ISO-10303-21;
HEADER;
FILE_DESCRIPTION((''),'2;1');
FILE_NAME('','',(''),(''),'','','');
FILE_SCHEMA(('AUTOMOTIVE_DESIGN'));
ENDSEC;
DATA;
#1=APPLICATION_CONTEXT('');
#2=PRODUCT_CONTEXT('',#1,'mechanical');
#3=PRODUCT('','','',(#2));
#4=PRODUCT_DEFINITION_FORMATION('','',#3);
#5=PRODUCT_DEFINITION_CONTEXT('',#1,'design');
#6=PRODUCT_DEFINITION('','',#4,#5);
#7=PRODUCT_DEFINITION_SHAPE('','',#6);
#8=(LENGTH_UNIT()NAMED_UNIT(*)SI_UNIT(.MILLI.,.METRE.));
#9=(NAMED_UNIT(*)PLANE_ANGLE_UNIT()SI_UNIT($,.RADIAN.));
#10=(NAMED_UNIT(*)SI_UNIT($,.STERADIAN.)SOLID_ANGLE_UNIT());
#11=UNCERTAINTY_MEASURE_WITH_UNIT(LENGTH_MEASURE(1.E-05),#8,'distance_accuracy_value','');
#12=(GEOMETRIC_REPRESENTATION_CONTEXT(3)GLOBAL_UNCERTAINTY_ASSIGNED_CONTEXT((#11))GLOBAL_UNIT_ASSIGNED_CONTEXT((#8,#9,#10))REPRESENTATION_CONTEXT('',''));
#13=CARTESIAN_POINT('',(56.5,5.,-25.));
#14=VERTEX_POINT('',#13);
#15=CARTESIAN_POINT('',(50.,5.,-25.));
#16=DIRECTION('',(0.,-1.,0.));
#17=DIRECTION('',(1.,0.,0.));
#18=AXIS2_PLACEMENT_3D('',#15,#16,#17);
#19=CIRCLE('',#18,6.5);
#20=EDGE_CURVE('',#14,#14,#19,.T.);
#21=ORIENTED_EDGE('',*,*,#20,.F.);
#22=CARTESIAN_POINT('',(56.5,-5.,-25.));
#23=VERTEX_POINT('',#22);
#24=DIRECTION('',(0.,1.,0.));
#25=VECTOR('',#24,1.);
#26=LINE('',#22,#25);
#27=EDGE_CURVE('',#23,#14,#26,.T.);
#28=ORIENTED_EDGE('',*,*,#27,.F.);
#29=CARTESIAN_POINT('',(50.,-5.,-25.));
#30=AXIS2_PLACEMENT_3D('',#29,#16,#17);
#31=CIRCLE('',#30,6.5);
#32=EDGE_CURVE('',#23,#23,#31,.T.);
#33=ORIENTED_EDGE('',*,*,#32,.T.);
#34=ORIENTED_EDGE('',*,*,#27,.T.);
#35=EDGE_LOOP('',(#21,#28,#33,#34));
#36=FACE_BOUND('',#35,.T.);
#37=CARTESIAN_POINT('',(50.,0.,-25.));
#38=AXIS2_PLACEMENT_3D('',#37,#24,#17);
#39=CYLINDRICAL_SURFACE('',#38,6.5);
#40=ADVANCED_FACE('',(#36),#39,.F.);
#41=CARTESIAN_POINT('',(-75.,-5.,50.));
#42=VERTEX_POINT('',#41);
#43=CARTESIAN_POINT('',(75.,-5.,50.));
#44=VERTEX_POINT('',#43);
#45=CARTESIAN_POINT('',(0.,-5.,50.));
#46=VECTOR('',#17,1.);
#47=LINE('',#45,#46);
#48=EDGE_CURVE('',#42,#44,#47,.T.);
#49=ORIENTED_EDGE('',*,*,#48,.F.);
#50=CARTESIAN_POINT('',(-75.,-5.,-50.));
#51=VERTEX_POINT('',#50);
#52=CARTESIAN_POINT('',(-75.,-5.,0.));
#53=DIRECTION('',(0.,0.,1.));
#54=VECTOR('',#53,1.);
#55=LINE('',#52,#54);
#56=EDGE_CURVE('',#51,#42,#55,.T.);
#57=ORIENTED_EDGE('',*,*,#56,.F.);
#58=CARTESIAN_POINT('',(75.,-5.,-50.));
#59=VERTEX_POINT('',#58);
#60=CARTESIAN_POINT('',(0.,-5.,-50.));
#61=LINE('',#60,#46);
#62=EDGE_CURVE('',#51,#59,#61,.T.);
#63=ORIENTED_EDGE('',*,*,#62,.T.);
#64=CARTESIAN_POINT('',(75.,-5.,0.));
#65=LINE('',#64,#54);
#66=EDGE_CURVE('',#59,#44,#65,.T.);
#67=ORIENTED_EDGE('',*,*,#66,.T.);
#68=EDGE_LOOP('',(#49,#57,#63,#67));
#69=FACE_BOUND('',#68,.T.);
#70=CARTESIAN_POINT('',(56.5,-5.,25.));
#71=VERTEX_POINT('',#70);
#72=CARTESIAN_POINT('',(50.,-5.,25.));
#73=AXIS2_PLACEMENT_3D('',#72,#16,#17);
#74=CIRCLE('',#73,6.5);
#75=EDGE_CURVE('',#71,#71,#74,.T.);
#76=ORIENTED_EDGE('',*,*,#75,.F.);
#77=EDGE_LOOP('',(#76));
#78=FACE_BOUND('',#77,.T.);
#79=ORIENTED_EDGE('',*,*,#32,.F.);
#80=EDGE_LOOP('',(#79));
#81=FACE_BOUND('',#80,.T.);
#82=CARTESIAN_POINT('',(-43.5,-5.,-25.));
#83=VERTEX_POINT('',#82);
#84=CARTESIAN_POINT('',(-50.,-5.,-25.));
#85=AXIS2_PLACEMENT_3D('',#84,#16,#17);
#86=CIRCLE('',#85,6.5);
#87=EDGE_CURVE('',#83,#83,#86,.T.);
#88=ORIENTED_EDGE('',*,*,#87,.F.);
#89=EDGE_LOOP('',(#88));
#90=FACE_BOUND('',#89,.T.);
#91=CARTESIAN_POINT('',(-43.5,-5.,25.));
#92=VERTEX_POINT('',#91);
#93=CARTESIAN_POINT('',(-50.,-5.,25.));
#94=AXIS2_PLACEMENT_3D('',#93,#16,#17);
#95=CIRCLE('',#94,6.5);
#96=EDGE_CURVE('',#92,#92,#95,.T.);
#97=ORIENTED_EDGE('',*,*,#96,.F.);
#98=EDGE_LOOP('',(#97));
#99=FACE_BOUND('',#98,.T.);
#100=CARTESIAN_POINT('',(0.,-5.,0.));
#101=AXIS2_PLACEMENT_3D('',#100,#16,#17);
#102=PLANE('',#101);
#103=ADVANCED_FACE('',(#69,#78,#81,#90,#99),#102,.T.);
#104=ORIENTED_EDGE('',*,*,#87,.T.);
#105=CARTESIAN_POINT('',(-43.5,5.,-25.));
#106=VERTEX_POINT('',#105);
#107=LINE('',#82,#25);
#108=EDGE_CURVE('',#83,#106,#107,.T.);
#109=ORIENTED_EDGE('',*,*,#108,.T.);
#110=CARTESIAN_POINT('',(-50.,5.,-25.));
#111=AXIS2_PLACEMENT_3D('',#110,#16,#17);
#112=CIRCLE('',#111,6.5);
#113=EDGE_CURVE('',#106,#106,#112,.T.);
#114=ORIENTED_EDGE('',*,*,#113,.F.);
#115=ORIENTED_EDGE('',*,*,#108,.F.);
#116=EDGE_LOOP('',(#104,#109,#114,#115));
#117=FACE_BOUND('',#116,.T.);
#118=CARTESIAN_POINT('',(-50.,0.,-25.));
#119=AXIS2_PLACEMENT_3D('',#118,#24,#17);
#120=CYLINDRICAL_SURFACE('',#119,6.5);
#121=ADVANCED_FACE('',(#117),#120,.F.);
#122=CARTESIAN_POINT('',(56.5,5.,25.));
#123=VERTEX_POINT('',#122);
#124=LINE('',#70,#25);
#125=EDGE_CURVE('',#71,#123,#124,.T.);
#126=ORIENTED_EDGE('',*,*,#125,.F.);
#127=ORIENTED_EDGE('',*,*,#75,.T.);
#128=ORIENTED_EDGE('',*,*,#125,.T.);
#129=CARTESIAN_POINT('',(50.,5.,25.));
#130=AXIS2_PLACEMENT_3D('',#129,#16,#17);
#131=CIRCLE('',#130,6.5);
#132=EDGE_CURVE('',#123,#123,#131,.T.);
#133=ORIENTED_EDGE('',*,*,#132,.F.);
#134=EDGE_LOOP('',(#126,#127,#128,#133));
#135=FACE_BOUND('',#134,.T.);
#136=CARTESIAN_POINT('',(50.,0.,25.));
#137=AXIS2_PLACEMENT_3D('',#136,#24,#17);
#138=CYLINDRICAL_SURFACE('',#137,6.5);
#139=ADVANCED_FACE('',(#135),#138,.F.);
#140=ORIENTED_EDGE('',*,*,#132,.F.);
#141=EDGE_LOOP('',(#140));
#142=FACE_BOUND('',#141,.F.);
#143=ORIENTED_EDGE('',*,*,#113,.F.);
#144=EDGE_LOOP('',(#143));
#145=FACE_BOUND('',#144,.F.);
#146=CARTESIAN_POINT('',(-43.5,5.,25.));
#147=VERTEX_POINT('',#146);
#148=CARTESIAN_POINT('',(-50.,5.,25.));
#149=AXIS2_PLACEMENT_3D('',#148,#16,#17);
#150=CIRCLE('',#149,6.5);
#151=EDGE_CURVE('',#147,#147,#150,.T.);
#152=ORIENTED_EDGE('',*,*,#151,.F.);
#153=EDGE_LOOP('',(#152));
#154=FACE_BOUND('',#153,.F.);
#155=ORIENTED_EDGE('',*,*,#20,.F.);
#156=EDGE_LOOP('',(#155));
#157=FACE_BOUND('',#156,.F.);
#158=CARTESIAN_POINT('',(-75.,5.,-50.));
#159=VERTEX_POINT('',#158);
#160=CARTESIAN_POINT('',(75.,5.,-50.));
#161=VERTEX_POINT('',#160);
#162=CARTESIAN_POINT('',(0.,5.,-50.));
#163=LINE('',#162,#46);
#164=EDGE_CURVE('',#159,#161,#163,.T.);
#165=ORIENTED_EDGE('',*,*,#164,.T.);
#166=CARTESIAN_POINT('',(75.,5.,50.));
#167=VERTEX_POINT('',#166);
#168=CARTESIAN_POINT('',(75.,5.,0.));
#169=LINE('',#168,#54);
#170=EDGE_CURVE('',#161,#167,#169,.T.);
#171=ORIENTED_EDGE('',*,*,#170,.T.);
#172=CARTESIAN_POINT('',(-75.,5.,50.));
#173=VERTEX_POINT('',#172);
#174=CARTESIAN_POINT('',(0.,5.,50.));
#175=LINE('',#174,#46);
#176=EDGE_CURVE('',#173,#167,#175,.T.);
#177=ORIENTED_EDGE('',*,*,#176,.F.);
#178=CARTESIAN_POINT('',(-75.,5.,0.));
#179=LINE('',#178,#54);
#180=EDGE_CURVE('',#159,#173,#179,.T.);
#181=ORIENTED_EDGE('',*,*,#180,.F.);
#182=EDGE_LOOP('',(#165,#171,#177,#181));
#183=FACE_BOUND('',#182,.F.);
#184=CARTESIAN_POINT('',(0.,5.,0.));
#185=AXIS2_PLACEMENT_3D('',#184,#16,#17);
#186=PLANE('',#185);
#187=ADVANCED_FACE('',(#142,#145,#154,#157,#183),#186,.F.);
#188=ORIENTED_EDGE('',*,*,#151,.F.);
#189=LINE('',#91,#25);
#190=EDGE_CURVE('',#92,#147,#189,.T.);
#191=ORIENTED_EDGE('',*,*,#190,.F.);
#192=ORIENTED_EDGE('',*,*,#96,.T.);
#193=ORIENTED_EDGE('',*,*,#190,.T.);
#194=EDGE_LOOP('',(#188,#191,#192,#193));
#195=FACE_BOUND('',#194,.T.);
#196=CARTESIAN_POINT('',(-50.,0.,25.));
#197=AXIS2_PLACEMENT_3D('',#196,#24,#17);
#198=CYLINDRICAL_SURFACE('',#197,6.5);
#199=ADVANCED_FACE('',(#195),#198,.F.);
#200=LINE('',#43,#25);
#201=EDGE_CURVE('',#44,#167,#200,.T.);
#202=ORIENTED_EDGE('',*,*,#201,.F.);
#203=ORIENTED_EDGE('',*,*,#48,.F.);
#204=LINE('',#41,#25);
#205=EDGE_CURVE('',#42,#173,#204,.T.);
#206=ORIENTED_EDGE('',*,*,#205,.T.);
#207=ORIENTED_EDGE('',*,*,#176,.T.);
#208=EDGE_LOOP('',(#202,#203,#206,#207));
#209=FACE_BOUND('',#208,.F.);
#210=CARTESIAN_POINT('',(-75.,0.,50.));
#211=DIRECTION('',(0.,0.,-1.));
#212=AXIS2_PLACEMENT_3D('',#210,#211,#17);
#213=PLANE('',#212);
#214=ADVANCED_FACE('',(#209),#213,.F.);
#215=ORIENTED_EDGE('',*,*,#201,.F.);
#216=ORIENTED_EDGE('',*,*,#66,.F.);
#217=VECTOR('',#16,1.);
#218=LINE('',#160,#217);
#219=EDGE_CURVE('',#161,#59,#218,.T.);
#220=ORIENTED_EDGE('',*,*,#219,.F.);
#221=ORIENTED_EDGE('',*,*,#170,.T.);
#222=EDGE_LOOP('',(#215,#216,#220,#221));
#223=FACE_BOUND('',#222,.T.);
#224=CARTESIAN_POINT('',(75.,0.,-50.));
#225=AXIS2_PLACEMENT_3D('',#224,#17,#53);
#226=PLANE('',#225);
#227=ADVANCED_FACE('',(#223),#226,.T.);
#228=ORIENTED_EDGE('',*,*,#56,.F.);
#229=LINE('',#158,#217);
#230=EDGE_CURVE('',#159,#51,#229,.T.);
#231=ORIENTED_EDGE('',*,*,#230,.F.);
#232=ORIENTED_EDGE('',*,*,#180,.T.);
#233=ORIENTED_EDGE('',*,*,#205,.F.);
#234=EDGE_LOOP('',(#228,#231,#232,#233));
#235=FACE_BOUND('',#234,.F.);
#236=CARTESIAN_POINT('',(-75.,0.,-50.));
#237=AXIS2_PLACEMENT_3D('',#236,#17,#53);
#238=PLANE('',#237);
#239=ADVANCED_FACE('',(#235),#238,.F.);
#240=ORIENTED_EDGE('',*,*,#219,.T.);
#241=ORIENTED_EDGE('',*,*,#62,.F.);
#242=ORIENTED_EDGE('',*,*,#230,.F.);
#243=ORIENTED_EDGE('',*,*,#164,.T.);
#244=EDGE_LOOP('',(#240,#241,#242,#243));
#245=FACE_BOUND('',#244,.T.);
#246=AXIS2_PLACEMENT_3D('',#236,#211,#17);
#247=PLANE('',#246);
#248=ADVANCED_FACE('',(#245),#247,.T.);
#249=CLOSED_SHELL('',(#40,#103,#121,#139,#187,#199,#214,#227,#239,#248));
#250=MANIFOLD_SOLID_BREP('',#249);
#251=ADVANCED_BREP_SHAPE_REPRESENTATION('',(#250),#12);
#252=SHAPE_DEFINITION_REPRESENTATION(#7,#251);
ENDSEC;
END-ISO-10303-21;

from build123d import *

# Parameters (mm, degrees)
F0_W     = 150
F0_H     = 100
F0_R     = 6.5
F1_DEPTH = 5


with BuildPart() as f1:
    # F0 (on Front) → F1 (new body, symmetric)
    with BuildSketch(Plane.XZ):
        Rectangle(F0_W, F0_H)
        with Locations((-50, -25)):
            Circle(F0_R, mode=Mode.SUBTRACT)
        with Locations((50, -25)):
            Circle(F0_R, mode=Mode.SUBTRACT)
        with Locations((-50, 25)):
            Circle(F0_R, mode=Mode.SUBTRACT)
        with Locations((50, 25)):
            Circle(F0_R, mode=Mode.SUBTRACT)
    extrude(amount=F1_DEPTH, both=True)


solid = f1.part
